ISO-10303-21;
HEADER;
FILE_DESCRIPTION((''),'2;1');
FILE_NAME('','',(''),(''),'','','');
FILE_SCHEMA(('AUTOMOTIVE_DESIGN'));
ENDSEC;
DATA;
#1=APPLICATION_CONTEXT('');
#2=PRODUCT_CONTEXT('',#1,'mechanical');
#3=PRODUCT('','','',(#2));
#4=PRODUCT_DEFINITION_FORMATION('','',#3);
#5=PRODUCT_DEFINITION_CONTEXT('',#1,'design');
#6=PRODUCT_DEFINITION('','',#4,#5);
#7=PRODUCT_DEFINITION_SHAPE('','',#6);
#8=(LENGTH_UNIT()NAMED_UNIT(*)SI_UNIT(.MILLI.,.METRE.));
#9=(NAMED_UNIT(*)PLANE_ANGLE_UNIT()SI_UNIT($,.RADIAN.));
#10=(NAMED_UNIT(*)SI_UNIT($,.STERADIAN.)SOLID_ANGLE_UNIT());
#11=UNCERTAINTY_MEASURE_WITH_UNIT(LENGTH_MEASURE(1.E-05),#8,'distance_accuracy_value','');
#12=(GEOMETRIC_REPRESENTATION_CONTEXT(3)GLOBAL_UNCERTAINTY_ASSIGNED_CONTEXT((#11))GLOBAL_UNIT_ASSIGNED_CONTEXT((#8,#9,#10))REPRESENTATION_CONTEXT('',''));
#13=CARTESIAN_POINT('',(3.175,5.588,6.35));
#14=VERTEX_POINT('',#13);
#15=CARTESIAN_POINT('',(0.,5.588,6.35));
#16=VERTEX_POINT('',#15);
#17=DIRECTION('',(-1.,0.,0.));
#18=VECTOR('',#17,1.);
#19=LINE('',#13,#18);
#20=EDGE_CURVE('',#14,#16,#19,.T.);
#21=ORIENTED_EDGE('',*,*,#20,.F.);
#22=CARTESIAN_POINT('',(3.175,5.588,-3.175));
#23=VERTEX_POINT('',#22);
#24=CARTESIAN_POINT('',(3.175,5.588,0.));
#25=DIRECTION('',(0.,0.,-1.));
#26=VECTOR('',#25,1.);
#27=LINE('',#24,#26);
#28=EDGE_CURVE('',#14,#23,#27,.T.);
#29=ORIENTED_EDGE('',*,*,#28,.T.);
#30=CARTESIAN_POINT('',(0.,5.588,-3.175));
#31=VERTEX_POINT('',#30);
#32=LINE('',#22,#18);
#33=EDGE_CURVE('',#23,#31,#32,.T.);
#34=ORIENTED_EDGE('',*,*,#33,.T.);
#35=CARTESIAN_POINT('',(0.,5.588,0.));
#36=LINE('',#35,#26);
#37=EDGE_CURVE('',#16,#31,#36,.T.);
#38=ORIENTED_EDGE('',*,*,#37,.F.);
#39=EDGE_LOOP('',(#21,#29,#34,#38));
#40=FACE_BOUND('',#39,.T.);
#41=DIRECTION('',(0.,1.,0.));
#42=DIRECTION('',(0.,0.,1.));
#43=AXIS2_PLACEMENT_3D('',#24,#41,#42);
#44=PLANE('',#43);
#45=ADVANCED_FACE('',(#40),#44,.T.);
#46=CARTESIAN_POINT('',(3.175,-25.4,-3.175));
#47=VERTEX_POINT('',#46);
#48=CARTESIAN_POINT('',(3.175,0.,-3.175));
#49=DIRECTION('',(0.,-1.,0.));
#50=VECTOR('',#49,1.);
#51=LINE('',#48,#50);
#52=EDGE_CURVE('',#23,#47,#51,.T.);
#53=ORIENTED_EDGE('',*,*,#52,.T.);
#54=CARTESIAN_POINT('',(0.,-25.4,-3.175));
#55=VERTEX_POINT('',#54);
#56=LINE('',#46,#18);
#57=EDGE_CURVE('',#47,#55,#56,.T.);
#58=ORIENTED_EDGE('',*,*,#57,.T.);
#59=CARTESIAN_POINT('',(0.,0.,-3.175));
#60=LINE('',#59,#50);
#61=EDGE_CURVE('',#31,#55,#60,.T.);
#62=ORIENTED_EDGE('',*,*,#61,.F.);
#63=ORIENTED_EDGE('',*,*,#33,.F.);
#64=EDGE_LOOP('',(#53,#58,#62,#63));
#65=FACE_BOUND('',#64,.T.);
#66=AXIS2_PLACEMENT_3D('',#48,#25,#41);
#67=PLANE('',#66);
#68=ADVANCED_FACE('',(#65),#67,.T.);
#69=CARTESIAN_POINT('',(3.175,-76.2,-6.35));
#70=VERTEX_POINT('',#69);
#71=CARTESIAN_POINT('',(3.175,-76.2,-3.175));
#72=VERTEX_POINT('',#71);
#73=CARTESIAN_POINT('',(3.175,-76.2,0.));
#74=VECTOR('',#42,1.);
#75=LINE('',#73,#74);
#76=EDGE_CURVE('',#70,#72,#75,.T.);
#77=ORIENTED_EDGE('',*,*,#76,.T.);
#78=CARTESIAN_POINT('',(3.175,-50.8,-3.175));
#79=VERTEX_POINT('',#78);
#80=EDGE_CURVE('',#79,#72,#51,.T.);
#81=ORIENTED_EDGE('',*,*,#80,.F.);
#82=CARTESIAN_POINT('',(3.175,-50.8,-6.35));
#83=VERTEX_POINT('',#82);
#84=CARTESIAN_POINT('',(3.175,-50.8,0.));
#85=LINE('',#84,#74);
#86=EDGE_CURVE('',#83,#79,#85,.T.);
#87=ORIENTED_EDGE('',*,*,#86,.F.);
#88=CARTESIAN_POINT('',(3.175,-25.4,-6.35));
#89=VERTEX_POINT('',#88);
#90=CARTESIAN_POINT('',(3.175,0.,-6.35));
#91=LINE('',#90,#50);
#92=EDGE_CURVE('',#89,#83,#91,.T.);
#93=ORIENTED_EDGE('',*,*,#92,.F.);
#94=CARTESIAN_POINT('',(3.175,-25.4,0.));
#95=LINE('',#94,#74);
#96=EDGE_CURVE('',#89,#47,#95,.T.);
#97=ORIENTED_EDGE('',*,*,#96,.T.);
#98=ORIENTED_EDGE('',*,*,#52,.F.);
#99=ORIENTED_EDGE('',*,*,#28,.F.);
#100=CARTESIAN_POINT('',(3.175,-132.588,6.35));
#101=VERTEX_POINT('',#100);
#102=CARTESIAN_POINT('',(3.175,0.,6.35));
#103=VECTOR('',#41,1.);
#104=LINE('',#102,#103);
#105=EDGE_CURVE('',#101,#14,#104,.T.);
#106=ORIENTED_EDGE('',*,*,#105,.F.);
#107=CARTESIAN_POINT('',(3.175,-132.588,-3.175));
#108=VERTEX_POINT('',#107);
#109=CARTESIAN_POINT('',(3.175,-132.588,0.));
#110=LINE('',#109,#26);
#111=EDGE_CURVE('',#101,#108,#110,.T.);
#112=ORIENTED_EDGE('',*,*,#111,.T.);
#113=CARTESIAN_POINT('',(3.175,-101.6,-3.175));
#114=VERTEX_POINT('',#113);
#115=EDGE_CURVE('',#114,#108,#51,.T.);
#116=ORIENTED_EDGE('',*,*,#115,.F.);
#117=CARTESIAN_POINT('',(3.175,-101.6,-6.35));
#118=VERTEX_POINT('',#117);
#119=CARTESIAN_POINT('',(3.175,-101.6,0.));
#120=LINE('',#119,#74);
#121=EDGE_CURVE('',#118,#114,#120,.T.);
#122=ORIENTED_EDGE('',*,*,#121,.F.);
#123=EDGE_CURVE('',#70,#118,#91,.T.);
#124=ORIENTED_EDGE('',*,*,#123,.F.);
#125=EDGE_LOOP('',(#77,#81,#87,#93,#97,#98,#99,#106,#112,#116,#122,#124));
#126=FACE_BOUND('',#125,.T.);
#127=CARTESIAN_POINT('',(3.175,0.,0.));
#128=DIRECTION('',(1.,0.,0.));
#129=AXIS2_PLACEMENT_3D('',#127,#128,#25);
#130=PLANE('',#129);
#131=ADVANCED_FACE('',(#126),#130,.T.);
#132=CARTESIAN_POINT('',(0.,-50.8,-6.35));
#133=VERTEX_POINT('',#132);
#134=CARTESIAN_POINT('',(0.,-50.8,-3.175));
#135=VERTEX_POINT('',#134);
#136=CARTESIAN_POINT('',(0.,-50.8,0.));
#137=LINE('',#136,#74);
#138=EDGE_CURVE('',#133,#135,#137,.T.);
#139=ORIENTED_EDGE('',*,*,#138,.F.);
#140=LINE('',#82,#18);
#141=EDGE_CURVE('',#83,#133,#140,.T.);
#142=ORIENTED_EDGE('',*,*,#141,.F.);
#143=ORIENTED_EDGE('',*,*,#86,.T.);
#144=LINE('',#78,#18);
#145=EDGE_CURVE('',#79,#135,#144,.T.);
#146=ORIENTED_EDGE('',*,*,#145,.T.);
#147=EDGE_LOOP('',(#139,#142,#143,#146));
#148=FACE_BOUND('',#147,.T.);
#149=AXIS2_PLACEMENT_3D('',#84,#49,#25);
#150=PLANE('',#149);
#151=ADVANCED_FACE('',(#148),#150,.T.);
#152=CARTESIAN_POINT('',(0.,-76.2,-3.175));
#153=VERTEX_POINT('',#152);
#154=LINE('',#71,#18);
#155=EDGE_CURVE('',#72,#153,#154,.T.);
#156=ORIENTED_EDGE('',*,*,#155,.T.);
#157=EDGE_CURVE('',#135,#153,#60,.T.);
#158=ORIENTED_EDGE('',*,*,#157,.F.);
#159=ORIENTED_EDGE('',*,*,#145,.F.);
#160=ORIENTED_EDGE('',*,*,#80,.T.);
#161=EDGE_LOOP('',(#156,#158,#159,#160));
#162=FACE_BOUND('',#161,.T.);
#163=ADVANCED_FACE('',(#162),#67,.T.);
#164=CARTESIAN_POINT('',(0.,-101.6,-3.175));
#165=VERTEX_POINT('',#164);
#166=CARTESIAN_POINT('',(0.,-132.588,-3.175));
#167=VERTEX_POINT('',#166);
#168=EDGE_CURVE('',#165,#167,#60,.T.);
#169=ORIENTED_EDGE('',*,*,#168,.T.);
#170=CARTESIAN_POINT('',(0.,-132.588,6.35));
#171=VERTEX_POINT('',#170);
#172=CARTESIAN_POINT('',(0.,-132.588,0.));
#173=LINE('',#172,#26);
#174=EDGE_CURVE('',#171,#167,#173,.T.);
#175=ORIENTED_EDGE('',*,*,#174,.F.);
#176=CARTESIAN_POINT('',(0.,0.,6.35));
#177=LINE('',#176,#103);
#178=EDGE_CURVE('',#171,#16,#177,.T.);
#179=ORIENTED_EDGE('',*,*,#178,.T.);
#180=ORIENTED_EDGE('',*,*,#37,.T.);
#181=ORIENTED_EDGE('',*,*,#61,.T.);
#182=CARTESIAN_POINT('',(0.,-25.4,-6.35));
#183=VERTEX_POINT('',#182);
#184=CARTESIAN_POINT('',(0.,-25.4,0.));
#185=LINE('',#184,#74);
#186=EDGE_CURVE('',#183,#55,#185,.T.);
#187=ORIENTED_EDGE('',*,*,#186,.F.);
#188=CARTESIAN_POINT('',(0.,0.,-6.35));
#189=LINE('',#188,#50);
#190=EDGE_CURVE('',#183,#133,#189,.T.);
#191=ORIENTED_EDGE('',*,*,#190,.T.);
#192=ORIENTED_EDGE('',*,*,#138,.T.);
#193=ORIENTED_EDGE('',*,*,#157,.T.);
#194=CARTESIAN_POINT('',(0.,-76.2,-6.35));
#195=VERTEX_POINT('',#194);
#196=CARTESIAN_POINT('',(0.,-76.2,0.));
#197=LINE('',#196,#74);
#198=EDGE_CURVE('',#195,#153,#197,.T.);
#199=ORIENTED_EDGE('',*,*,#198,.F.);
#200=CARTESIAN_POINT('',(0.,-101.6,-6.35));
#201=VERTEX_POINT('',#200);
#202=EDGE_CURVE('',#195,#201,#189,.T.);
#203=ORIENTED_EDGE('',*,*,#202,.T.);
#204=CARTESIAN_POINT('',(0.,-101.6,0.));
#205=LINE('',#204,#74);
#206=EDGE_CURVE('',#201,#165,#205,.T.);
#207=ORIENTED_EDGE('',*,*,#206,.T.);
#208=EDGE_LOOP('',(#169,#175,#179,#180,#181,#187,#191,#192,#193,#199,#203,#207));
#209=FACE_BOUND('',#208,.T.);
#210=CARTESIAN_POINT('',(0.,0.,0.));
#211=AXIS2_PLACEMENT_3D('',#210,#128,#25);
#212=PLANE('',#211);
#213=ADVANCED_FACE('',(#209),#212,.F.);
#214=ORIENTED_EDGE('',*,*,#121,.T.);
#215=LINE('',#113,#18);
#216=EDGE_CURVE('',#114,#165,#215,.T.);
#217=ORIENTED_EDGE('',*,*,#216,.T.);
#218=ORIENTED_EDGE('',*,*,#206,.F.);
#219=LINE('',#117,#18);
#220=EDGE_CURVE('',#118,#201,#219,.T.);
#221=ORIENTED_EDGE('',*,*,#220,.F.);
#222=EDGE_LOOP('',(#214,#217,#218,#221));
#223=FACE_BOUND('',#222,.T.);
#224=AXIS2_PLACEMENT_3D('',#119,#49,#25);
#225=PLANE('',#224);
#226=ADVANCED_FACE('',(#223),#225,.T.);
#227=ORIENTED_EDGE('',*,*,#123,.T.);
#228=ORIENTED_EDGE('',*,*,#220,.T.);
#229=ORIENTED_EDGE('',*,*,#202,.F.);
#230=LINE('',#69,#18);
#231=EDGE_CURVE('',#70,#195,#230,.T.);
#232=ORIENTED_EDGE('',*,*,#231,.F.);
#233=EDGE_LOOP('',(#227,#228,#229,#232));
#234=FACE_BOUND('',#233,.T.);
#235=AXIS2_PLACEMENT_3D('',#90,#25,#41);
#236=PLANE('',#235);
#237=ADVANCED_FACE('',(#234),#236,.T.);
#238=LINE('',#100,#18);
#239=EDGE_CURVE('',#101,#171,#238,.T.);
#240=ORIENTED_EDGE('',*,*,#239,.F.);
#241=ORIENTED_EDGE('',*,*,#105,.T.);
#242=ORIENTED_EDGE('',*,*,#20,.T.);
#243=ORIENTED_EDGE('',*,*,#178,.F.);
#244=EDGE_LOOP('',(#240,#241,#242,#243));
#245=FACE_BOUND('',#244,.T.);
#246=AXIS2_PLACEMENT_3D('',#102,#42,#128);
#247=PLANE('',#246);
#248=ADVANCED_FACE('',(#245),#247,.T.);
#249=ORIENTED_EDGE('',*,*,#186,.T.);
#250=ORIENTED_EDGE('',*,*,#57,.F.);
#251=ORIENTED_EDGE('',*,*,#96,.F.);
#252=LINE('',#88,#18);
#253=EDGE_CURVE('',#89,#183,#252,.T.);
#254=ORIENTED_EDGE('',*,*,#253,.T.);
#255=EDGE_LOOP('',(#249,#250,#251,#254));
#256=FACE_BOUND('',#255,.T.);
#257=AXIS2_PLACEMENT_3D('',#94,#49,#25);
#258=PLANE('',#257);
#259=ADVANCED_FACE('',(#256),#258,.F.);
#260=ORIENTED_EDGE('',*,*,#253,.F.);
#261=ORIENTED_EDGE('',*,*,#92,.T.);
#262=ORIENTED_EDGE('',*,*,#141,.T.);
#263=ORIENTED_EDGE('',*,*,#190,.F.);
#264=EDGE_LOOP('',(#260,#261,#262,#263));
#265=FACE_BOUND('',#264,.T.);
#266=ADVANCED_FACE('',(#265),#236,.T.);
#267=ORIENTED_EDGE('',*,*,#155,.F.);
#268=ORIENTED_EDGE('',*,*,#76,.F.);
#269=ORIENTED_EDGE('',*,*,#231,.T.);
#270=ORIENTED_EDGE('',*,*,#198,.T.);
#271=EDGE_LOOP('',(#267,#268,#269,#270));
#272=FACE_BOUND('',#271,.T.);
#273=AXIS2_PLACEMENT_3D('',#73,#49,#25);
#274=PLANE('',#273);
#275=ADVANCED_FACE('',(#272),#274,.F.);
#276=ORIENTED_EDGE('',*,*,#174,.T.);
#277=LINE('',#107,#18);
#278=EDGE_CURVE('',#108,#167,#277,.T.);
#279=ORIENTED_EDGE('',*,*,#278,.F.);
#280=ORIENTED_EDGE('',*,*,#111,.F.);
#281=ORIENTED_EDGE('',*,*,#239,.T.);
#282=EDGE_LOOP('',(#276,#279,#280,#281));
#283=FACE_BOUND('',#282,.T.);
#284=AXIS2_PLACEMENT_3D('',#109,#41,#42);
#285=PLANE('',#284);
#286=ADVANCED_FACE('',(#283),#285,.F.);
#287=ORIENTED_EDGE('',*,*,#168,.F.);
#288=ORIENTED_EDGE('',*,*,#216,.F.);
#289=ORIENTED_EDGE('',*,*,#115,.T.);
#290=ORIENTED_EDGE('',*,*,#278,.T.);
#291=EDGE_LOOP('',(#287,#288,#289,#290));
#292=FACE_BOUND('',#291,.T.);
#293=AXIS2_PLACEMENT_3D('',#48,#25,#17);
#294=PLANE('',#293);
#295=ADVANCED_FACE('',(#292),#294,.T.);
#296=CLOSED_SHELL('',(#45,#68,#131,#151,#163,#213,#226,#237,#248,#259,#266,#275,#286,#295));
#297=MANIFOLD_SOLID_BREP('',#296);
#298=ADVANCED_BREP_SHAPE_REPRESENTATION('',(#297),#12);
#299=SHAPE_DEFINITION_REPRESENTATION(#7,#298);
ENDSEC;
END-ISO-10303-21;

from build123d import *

# Parameters (mm, degrees)
BOSS_EXTRUDE1_DEPTH = 3.175


with BuildPart() as part:
    # Sketch1 → Boss-Extrude1 (new body)
    with BuildSketch(Plane(origin=(0, 0, 0), x_dir=(0, 0, -1), z_dir=(1, 0, 0))):
        Polygon((-6.35, -132.588), (3.175, -132.588), (3.175, -101.6), (6.35, -101.6), (6.35, -76.2), (3.175, -76.2), (3.175, -50.8), (6.35, -50.8), (6.35, -25.4), (3.175, -25.4), (3.175, 5.588), (-6.35, 5.588), align=None)
    extrude(amount=BOSS_EXTRUDE1_DEPTH)


solid = part.part
